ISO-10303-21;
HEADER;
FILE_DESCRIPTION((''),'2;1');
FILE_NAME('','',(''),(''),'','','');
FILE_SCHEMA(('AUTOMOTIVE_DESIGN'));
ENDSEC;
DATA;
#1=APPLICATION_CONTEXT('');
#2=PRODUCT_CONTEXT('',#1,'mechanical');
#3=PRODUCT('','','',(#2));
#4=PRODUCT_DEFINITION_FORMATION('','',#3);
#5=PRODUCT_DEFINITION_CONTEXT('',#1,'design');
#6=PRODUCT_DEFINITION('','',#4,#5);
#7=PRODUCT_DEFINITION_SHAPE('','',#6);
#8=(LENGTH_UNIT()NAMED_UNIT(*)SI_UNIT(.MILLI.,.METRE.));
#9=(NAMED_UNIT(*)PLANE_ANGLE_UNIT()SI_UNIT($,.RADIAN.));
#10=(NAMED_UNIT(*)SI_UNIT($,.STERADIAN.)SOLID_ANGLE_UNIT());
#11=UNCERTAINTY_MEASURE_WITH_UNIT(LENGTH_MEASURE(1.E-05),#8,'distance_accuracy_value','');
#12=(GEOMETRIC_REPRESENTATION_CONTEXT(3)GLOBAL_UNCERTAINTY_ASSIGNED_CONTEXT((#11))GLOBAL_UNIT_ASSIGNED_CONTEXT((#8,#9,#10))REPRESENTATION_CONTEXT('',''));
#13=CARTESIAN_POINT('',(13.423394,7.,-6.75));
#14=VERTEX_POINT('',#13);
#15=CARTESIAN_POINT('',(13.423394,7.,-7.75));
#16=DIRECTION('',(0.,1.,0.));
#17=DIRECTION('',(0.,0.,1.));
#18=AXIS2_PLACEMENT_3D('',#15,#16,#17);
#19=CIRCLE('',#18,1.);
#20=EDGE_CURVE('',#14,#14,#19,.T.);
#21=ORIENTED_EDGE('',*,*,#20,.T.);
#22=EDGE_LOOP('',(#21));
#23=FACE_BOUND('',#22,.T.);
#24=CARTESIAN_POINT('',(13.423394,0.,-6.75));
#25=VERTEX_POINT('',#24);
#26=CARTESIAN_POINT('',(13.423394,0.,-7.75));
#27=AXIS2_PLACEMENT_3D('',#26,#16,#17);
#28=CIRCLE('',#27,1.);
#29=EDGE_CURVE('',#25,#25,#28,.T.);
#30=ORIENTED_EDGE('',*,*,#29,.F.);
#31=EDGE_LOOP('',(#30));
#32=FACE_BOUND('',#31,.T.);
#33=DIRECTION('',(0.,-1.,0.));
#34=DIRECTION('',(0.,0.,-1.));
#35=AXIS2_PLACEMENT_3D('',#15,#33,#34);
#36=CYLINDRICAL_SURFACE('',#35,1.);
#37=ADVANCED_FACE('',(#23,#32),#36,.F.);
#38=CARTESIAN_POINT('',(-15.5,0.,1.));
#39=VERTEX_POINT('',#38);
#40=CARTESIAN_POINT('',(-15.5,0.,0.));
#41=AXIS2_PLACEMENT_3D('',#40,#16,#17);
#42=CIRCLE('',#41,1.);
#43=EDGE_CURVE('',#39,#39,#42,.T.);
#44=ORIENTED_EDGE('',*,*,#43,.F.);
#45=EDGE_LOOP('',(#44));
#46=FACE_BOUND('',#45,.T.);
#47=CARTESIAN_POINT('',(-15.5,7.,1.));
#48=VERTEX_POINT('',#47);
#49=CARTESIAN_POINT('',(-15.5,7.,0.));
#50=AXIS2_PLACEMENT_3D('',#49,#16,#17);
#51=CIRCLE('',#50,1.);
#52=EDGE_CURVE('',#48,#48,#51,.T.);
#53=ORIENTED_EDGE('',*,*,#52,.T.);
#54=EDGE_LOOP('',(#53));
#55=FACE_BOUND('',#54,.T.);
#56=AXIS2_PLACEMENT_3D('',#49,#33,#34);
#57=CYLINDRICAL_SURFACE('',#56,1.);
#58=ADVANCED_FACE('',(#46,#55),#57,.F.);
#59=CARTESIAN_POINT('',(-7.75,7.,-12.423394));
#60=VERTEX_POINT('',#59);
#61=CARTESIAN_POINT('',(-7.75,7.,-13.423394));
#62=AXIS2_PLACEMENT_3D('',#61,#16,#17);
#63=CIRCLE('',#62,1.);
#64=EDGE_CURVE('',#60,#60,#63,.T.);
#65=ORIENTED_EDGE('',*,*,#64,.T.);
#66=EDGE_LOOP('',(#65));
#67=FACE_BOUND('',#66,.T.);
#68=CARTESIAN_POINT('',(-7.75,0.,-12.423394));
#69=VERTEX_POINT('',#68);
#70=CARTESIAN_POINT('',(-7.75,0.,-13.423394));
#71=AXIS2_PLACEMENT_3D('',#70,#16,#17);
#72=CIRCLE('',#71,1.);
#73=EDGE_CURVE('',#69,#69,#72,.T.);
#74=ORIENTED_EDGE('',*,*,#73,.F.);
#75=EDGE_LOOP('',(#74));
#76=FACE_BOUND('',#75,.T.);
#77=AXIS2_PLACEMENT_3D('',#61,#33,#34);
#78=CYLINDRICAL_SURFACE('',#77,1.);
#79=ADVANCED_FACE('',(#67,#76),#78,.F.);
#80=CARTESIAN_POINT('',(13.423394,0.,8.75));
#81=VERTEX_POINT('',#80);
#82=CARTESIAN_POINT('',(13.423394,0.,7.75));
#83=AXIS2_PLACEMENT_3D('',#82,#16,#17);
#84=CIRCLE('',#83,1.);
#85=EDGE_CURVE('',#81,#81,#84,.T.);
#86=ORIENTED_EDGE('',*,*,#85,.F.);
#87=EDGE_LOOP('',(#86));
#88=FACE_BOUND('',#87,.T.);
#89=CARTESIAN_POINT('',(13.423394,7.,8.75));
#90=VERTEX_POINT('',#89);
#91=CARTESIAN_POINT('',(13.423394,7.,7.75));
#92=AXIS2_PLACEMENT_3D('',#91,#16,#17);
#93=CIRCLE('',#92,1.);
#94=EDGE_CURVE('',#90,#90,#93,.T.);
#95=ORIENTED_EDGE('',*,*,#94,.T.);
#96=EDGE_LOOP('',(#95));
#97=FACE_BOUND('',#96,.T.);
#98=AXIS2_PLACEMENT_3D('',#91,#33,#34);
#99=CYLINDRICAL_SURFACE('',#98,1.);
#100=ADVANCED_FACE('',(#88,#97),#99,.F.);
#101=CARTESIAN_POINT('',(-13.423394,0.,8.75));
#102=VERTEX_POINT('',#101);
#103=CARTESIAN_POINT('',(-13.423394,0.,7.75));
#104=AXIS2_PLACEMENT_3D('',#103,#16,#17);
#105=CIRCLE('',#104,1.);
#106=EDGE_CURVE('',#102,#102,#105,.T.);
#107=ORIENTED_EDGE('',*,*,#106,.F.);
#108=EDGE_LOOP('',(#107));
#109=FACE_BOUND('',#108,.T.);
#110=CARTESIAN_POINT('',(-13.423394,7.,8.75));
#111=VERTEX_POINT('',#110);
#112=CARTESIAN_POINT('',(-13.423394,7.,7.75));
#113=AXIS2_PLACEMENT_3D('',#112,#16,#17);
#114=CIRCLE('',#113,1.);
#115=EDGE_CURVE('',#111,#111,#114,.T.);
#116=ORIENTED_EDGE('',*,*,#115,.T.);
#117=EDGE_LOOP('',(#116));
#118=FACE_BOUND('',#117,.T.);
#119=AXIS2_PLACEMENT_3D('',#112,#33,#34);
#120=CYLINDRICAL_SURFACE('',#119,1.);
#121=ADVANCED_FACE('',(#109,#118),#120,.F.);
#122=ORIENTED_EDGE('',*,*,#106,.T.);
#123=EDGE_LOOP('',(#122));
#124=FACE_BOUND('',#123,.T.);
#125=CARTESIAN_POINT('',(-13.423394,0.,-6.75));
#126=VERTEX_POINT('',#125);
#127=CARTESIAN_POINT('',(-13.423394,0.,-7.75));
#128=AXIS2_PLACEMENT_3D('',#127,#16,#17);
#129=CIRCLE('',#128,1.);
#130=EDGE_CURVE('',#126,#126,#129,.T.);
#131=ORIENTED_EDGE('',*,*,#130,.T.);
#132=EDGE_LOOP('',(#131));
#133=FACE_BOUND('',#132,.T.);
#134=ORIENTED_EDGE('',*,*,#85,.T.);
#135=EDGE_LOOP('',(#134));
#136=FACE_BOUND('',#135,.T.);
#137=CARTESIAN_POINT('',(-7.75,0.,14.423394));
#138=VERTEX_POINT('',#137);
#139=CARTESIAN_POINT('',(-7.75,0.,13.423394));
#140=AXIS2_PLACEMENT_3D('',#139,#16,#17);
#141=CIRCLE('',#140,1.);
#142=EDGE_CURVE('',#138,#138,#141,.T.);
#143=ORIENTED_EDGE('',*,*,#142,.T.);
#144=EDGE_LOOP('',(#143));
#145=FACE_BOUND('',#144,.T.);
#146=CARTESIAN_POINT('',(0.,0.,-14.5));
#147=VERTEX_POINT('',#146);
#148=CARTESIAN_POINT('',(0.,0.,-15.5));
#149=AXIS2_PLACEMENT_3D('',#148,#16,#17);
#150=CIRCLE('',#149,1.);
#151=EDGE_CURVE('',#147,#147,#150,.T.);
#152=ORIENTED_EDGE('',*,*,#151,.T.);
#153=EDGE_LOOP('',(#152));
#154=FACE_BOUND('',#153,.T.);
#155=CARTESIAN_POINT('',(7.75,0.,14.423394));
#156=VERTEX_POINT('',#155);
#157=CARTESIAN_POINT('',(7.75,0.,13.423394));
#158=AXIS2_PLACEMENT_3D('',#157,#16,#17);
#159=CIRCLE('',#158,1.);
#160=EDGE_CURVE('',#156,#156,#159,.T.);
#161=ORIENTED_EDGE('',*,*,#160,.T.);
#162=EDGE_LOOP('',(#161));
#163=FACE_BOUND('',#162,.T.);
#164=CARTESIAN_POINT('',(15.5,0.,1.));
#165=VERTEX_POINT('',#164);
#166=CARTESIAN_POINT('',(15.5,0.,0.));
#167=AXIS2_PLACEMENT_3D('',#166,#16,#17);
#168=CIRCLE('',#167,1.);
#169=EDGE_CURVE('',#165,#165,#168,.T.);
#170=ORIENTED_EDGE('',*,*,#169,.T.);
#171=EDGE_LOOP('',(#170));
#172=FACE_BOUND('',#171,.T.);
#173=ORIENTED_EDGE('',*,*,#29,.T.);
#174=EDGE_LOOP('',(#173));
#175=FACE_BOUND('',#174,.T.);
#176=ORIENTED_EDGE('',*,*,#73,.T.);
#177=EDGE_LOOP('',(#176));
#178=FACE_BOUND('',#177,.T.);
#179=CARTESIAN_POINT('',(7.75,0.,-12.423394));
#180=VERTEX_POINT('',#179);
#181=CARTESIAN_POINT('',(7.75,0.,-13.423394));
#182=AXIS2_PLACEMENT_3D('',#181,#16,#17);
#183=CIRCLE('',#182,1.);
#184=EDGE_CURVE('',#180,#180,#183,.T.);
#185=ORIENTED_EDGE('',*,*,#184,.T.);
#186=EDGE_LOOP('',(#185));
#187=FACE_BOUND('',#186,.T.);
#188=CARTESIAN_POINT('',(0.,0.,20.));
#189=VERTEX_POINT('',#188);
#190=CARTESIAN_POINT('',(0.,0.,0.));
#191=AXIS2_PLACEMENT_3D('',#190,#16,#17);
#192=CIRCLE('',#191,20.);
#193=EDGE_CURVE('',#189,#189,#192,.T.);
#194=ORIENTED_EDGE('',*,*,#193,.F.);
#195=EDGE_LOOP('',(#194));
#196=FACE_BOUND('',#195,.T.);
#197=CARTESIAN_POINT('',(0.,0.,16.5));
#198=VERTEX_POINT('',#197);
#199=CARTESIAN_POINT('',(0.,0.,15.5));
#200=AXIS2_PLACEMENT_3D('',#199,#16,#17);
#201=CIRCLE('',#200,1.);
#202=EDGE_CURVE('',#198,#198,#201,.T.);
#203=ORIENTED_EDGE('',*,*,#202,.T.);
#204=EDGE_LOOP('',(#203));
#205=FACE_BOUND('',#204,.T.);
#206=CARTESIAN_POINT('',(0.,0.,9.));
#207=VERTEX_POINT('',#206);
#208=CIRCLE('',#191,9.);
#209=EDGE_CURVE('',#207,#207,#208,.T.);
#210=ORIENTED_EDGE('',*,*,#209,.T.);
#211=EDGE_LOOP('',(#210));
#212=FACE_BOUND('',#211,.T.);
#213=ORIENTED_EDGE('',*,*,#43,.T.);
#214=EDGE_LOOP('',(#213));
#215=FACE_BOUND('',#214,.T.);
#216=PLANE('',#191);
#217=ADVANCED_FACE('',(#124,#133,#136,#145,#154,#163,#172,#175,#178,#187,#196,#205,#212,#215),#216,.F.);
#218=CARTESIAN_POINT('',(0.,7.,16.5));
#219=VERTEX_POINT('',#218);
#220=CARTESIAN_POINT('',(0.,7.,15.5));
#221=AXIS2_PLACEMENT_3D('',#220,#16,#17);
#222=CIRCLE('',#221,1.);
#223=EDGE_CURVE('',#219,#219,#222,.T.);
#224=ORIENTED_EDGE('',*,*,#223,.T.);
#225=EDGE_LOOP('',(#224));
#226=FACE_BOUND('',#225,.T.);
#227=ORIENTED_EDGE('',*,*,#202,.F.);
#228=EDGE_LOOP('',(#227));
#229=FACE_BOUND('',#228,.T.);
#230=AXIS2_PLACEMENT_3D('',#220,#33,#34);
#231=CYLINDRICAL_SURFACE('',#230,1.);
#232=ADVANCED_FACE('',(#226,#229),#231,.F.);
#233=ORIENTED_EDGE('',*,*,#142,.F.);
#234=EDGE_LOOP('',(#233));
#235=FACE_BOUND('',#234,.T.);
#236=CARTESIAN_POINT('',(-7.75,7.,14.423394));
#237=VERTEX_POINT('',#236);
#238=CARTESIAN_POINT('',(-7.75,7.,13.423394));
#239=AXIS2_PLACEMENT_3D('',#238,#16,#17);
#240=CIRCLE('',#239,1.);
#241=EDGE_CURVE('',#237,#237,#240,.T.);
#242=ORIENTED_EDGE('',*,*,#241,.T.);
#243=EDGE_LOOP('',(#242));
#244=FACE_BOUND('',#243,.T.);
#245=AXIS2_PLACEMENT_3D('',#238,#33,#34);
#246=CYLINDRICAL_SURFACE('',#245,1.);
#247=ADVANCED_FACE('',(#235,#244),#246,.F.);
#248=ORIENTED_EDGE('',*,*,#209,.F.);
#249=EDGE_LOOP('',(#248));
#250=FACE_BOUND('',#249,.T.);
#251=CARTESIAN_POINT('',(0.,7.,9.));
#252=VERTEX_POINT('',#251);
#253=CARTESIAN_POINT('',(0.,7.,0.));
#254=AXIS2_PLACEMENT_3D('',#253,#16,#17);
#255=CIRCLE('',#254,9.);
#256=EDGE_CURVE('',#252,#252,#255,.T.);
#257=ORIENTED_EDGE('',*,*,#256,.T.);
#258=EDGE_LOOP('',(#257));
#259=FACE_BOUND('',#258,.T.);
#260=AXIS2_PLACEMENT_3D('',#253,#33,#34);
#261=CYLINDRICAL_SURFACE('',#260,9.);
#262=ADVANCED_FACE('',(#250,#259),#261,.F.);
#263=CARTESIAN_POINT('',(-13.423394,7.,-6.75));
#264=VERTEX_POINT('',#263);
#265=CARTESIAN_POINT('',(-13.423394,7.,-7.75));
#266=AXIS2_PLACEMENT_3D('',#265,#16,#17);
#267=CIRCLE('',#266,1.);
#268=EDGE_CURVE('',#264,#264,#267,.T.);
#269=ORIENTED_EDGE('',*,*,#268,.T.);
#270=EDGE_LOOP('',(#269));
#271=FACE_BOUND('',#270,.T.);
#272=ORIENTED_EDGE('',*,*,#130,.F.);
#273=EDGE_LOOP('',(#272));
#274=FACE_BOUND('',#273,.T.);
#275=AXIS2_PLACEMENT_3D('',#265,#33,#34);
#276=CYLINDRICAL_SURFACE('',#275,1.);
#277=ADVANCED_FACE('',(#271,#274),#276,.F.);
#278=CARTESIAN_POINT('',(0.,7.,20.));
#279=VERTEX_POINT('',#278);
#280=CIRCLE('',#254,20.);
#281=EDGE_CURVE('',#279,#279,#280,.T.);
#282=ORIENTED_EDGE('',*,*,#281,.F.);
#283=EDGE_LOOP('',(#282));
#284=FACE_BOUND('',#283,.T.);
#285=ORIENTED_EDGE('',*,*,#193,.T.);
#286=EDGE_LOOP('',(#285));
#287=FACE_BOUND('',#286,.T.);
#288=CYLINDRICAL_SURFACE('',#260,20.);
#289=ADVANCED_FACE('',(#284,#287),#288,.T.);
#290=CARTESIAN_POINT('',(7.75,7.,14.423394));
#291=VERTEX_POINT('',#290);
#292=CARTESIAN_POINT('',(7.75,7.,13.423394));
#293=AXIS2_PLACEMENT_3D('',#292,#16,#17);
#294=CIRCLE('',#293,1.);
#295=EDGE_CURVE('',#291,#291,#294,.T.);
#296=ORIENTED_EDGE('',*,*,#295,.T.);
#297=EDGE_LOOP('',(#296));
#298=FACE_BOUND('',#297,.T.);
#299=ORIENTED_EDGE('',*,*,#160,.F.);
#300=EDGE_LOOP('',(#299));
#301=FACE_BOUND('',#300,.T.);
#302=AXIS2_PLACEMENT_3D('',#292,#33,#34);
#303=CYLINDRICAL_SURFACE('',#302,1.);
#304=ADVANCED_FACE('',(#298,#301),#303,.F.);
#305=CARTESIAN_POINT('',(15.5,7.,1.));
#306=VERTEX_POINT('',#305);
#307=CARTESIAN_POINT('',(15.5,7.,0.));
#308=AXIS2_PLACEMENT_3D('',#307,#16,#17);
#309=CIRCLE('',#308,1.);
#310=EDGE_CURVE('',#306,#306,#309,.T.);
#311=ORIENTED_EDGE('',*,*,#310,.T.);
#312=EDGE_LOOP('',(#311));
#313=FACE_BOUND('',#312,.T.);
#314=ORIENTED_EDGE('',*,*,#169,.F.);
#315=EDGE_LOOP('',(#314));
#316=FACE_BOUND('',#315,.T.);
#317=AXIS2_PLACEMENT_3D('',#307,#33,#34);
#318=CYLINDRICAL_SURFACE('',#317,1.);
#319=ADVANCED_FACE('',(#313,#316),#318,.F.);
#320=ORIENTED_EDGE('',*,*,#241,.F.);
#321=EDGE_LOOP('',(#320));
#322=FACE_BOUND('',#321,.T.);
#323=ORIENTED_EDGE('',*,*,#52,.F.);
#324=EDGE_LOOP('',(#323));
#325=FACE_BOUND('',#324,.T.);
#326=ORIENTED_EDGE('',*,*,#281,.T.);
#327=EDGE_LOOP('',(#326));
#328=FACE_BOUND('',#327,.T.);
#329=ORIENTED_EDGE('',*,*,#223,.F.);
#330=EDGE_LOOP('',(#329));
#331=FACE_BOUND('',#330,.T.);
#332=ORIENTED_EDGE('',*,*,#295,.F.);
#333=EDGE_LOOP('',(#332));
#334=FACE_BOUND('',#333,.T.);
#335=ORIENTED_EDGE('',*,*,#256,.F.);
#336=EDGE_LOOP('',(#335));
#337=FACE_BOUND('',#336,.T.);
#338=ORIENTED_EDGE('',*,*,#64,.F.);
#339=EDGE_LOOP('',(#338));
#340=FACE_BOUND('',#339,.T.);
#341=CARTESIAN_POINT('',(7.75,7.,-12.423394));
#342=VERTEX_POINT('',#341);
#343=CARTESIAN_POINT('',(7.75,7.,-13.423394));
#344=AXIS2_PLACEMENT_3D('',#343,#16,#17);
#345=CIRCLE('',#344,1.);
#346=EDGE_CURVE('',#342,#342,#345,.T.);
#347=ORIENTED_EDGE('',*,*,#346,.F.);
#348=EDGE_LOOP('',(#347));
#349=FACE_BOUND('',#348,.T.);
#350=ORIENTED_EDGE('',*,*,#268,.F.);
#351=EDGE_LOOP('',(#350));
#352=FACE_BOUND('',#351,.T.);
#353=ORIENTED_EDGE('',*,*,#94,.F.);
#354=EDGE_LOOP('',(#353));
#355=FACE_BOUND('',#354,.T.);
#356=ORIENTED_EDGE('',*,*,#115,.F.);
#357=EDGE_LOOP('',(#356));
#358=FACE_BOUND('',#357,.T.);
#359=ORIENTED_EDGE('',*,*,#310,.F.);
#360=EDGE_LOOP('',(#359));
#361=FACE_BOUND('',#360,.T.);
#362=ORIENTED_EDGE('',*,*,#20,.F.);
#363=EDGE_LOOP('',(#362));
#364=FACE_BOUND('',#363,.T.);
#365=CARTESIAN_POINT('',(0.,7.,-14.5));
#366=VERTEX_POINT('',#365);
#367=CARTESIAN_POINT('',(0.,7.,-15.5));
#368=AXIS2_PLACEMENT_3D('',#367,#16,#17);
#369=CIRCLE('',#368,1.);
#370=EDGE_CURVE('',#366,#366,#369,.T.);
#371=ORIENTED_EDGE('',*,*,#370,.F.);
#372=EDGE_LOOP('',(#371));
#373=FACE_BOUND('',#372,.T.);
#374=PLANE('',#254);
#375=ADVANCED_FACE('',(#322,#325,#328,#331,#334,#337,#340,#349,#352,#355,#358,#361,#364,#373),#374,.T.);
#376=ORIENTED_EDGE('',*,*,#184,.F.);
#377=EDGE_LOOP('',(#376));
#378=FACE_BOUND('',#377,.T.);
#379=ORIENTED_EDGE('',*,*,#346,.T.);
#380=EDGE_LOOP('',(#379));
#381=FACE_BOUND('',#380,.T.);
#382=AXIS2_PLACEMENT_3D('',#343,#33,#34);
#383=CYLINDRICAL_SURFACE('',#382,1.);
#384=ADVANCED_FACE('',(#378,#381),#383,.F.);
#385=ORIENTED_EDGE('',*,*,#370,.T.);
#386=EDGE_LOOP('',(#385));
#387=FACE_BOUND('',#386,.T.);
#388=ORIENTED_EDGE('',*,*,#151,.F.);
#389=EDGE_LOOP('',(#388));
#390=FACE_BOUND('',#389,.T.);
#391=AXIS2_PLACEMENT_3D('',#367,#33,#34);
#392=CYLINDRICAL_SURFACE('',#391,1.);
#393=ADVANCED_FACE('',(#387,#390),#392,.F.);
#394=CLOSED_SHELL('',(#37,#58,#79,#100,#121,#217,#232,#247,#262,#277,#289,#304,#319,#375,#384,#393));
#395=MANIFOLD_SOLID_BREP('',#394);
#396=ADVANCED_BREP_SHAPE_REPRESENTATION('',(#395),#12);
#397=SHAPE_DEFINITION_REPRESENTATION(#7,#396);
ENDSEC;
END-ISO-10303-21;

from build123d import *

# Parameters (mm, degrees)
SKETCH1_R           = 20
SKETCH1_R_2         = 9
SKETCH1_R_3         = 1
BOSS_EXTRUDE1_DEPTH = 7


with BuildPart() as part:
    # Sketch1 → Boss-Extrude1 (new body)
    with BuildSketch(Plane(origin=(0, 0, 0), x_dir=(1, 0, 0), z_dir=(0, 1, 0))):
        with Locations(Location((0, 0, 0), (0, 0, 270))):
            Circle(SKETCH1_R)
        with Locations(Location((0, 0, 0), (0, 0, 270))):
            Circle(SKETCH1_R_2, mode=Mode.SUBTRACT)
        with Locations(Location((0, 15.5, 0), (0, 0, 270))):
            Circle(SKETCH1_R_3, mode=Mode.SUBTRACT)
        with Locations(Location((7.75, 13.423393759, 0), (0, 0, 270))):
            Circle(SKETCH1_R_3, mode=Mode.SUBTRACT)
        with Locations(Location((13.423393759, 7.75, 0), (0, 0, 270))):
            Circle(SKETCH1_R_3, mode=Mode.SUBTRACT)
        with Locations(Location((15.5, 0, 0), (0, 0, 270))):
            Circle(SKETCH1_R_3, mode=Mode.SUBTRACT)
        with Locations(Location((13.423393759, -7.75, 0), (0, 0, 270))):
            Circle(SKETCH1_R_3, mode=Mode.SUBTRACT)
        with Locations(Location((7.75, -13.423393759, 0), (0, 0, 270))):
            Circle(SKETCH1_R_3, mode=Mode.SUBTRACT)
        with Locations(Location((0, -15.5, 0), (0, 0, 270))):
            Circle(SKETCH1_R_3, mode=Mode.SUBTRACT)
        with Locations(Location((-7.75, -13.423393759, 0), (0, 0, 270))):
            Circle(SKETCH1_R_3, mode=Mode.SUBTRACT)
        with Locations(Location((-13.423393759, -7.75, 0), (0, 0, 270))):
            Circle(SKETCH1_R_3, mode=Mode.SUBTRACT)
        with Locations(Location((-15.5, 0, 0), (0, 0, 270))):
            Circle(SKETCH1_R_3, mode=Mode.SUBTRACT)
        with Locations(Location((-13.423393759, 7.75, 0), (0, 0, 270))):
            Circle(SKETCH1_R_3, mode=Mode.SUBTRACT)
        with Locations(Location((-7.75, 13.423393759, 0), (0, 0, 270))):
            Circle(SKETCH1_R_3, mode=Mode.SUBTRACT)
    extrude(amount=BOSS_EXTRUDE1_DEPTH)


solid = part.part
